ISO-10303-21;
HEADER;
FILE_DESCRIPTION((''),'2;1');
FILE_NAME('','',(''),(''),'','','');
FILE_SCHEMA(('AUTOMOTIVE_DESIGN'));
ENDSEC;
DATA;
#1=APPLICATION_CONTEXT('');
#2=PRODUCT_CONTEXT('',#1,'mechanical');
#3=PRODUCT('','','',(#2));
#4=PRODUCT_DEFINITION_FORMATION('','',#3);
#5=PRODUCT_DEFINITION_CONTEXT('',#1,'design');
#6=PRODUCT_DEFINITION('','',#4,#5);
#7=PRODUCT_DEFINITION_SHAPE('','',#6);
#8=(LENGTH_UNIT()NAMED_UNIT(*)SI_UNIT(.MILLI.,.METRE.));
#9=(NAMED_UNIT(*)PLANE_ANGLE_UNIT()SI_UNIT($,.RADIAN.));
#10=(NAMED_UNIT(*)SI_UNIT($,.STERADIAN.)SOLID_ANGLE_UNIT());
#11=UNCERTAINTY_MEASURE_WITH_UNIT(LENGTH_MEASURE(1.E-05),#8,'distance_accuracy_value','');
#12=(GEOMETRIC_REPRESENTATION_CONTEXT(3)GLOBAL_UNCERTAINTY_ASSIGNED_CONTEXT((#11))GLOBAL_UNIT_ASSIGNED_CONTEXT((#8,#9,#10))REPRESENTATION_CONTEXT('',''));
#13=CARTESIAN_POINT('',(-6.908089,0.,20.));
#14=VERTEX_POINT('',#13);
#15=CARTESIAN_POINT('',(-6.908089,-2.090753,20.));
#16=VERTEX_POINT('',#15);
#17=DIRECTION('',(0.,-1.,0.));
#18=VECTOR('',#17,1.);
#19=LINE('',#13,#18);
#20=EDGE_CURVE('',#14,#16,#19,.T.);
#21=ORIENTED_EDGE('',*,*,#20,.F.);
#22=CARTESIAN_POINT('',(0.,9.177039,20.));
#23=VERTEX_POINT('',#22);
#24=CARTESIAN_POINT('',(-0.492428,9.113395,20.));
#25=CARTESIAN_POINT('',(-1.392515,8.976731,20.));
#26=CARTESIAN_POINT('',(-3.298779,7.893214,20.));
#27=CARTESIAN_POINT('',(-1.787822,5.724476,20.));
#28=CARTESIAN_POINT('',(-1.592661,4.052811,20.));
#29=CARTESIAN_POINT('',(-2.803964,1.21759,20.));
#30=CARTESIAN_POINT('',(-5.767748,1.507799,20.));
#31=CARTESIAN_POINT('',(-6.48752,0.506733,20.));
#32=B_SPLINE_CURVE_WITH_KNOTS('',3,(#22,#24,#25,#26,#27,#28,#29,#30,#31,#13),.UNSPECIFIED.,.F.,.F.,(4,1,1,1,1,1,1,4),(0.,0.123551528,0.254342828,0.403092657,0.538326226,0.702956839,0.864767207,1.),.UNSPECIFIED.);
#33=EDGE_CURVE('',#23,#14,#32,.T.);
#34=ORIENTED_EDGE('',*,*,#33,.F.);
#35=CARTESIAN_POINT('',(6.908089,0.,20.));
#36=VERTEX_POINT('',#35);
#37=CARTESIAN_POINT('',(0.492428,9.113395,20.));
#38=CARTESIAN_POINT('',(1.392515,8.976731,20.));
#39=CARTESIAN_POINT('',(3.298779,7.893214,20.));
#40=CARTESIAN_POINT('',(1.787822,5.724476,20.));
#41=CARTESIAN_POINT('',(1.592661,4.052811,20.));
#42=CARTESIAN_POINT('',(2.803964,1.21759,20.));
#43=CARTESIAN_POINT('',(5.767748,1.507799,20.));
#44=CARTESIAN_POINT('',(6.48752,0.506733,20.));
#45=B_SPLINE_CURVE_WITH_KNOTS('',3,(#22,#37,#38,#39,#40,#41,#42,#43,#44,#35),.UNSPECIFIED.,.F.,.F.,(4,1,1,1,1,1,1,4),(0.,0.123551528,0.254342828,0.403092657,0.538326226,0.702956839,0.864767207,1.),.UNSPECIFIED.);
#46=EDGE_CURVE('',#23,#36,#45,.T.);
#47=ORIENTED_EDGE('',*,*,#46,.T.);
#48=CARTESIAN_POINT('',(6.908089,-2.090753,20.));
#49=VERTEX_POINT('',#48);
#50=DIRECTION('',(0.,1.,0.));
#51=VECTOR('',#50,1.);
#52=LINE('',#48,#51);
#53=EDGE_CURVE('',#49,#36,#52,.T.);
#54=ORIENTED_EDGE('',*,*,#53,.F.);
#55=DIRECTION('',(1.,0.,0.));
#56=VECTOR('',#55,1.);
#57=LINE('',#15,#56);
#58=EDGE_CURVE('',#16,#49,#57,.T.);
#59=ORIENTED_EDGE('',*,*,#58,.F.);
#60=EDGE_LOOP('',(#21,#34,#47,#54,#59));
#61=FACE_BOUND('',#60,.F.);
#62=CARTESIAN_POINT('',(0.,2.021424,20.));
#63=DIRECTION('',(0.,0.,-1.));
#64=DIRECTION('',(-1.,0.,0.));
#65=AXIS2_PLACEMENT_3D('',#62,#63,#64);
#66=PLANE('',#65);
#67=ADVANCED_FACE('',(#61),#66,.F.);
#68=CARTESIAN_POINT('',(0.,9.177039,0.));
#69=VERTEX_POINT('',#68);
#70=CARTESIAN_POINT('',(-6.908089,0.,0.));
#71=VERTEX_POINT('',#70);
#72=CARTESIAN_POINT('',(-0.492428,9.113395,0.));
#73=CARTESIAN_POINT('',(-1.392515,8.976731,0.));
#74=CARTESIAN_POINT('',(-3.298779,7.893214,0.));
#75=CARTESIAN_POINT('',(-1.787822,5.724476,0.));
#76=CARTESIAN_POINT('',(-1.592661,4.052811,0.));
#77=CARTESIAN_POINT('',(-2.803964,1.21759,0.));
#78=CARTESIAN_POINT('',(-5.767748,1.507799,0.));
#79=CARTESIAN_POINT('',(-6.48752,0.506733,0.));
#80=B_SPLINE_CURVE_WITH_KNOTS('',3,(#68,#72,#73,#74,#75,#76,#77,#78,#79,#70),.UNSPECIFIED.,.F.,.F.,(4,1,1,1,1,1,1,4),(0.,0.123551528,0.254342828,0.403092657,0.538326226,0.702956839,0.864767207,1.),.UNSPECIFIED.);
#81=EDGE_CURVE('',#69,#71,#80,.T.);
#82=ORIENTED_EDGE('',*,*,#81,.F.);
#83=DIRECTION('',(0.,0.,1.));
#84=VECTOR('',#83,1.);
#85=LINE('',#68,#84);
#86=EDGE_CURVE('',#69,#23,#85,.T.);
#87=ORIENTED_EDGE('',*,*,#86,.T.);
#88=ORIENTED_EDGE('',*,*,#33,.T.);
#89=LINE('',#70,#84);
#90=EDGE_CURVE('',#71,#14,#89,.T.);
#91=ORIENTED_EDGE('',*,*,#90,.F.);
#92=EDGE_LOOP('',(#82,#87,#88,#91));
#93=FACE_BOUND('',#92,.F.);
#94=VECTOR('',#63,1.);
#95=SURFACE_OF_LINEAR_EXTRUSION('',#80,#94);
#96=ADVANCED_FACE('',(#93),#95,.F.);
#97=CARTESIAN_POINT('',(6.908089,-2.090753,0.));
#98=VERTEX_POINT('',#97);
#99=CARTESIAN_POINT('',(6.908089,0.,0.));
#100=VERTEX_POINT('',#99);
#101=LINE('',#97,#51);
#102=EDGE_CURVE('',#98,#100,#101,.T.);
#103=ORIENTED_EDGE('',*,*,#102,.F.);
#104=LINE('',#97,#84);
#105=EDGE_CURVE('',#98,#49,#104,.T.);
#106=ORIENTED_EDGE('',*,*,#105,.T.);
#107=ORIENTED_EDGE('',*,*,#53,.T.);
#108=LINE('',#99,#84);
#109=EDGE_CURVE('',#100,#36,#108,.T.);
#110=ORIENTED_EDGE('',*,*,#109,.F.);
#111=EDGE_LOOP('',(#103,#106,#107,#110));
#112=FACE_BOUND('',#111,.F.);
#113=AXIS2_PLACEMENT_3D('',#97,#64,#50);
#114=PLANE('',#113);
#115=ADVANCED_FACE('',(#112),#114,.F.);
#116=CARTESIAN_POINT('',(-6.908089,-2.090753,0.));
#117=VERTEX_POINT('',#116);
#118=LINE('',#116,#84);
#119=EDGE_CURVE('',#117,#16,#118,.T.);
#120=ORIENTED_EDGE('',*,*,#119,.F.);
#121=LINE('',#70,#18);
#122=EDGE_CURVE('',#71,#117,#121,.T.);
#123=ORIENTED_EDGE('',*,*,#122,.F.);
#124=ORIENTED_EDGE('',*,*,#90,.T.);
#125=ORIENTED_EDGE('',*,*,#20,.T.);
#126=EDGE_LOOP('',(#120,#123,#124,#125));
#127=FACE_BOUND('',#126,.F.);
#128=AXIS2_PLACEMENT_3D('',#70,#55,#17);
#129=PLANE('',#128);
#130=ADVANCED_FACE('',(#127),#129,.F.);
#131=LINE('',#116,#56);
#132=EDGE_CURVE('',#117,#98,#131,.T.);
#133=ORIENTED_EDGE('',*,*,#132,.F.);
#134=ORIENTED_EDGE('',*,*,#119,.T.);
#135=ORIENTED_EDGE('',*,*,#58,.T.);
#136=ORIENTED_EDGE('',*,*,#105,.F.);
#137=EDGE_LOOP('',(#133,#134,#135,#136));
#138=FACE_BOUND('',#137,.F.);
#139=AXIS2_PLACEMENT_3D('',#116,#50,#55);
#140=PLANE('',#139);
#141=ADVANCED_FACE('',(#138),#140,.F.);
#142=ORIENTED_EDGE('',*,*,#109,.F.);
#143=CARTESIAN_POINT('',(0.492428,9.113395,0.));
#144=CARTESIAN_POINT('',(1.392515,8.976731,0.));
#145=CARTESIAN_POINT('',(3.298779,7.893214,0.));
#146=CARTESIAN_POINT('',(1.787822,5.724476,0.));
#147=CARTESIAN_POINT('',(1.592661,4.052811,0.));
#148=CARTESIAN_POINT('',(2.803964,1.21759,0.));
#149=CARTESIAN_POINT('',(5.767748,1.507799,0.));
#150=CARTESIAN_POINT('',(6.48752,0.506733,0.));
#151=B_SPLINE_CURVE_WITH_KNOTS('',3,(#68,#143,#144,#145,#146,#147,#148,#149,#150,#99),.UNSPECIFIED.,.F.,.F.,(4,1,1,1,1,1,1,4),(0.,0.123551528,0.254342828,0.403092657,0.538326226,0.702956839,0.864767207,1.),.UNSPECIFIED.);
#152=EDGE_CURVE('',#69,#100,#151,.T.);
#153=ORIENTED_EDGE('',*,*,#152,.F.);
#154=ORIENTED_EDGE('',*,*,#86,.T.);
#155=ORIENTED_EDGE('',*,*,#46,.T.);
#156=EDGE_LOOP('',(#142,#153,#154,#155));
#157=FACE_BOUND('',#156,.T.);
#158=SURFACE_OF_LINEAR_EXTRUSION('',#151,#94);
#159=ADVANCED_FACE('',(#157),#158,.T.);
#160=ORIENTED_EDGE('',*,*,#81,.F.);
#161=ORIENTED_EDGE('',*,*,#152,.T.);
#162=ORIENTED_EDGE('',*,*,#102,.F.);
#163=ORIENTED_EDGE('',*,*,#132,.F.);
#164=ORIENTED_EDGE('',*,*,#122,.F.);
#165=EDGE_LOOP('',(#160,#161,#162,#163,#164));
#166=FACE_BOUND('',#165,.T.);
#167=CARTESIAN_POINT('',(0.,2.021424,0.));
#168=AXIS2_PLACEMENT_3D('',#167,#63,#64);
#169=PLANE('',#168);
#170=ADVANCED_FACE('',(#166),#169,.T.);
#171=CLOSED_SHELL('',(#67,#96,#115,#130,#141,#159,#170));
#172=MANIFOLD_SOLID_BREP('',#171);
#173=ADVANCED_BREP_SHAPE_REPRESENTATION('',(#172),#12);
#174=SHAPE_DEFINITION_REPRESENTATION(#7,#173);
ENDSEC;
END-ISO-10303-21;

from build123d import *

# Parameters (mm, degrees)
F1_DEPTH = 20


with BuildPart() as f1:
    # F0 (on Top) → F1 (new body)
    with BuildSketch(Plane.XY):
        with BuildLine():
            add(Edge.make_bspline(
                [(0, 9.1770394081), (0.4924283487, 9.1133954162), (1.3925154229, 8.976730575), (3.2987794271, 7.893214347), (1.7878215742, 5.7244761995), (1.5926609774, 4.0528109112), (2.8039640149, 1.21758996), (5.767748114, 1.5077992372), (6.4875198978, 0.5067326854), (6.9080890849, 0)],
                knots=[0, 0, 0, 0, 0.1235515279, 0.2543428284, 0.4030926569, 0.5383262258, 0.7029568389, 0.8647672066, 1, 1, 1, 1], degree=3))
            add(Edge.make_bspline(
                [(0, 9.1770394081), (-0.4924283487, 9.1133954162), (-1.3925154229, 8.976730575), (-3.2987794271, 7.893214347), (-1.7878215742, 5.7244761995), (-1.5926609774, 4.0528109112), (-2.8039640149, 1.21758996), (-5.767748114, 1.5077992372), (-6.4875198978, 0.5067326854), (-6.9080890849, 0)],
                knots=[0, 0, 0, 0, 0.1235515279, 0.2543428284, 0.4030926569, 0.5383262258, 0.7029568389, 0.8647672066, 1, 1, 1, 1], degree=3))
            Line((-6.9080890849, 0), (-6.9080890849, -2.0907530375))
            Line((-6.9080890849, -2.0907530375), (0, -2.0907530375))
            Line((0, -2.0907530375), (6.9080890849, -2.0907530375))
            Line((6.9080890849, -2.0907530375), (6.9080890849, 0))
        make_face()
    extrude(amount=F1_DEPTH)


solid = f1.part
